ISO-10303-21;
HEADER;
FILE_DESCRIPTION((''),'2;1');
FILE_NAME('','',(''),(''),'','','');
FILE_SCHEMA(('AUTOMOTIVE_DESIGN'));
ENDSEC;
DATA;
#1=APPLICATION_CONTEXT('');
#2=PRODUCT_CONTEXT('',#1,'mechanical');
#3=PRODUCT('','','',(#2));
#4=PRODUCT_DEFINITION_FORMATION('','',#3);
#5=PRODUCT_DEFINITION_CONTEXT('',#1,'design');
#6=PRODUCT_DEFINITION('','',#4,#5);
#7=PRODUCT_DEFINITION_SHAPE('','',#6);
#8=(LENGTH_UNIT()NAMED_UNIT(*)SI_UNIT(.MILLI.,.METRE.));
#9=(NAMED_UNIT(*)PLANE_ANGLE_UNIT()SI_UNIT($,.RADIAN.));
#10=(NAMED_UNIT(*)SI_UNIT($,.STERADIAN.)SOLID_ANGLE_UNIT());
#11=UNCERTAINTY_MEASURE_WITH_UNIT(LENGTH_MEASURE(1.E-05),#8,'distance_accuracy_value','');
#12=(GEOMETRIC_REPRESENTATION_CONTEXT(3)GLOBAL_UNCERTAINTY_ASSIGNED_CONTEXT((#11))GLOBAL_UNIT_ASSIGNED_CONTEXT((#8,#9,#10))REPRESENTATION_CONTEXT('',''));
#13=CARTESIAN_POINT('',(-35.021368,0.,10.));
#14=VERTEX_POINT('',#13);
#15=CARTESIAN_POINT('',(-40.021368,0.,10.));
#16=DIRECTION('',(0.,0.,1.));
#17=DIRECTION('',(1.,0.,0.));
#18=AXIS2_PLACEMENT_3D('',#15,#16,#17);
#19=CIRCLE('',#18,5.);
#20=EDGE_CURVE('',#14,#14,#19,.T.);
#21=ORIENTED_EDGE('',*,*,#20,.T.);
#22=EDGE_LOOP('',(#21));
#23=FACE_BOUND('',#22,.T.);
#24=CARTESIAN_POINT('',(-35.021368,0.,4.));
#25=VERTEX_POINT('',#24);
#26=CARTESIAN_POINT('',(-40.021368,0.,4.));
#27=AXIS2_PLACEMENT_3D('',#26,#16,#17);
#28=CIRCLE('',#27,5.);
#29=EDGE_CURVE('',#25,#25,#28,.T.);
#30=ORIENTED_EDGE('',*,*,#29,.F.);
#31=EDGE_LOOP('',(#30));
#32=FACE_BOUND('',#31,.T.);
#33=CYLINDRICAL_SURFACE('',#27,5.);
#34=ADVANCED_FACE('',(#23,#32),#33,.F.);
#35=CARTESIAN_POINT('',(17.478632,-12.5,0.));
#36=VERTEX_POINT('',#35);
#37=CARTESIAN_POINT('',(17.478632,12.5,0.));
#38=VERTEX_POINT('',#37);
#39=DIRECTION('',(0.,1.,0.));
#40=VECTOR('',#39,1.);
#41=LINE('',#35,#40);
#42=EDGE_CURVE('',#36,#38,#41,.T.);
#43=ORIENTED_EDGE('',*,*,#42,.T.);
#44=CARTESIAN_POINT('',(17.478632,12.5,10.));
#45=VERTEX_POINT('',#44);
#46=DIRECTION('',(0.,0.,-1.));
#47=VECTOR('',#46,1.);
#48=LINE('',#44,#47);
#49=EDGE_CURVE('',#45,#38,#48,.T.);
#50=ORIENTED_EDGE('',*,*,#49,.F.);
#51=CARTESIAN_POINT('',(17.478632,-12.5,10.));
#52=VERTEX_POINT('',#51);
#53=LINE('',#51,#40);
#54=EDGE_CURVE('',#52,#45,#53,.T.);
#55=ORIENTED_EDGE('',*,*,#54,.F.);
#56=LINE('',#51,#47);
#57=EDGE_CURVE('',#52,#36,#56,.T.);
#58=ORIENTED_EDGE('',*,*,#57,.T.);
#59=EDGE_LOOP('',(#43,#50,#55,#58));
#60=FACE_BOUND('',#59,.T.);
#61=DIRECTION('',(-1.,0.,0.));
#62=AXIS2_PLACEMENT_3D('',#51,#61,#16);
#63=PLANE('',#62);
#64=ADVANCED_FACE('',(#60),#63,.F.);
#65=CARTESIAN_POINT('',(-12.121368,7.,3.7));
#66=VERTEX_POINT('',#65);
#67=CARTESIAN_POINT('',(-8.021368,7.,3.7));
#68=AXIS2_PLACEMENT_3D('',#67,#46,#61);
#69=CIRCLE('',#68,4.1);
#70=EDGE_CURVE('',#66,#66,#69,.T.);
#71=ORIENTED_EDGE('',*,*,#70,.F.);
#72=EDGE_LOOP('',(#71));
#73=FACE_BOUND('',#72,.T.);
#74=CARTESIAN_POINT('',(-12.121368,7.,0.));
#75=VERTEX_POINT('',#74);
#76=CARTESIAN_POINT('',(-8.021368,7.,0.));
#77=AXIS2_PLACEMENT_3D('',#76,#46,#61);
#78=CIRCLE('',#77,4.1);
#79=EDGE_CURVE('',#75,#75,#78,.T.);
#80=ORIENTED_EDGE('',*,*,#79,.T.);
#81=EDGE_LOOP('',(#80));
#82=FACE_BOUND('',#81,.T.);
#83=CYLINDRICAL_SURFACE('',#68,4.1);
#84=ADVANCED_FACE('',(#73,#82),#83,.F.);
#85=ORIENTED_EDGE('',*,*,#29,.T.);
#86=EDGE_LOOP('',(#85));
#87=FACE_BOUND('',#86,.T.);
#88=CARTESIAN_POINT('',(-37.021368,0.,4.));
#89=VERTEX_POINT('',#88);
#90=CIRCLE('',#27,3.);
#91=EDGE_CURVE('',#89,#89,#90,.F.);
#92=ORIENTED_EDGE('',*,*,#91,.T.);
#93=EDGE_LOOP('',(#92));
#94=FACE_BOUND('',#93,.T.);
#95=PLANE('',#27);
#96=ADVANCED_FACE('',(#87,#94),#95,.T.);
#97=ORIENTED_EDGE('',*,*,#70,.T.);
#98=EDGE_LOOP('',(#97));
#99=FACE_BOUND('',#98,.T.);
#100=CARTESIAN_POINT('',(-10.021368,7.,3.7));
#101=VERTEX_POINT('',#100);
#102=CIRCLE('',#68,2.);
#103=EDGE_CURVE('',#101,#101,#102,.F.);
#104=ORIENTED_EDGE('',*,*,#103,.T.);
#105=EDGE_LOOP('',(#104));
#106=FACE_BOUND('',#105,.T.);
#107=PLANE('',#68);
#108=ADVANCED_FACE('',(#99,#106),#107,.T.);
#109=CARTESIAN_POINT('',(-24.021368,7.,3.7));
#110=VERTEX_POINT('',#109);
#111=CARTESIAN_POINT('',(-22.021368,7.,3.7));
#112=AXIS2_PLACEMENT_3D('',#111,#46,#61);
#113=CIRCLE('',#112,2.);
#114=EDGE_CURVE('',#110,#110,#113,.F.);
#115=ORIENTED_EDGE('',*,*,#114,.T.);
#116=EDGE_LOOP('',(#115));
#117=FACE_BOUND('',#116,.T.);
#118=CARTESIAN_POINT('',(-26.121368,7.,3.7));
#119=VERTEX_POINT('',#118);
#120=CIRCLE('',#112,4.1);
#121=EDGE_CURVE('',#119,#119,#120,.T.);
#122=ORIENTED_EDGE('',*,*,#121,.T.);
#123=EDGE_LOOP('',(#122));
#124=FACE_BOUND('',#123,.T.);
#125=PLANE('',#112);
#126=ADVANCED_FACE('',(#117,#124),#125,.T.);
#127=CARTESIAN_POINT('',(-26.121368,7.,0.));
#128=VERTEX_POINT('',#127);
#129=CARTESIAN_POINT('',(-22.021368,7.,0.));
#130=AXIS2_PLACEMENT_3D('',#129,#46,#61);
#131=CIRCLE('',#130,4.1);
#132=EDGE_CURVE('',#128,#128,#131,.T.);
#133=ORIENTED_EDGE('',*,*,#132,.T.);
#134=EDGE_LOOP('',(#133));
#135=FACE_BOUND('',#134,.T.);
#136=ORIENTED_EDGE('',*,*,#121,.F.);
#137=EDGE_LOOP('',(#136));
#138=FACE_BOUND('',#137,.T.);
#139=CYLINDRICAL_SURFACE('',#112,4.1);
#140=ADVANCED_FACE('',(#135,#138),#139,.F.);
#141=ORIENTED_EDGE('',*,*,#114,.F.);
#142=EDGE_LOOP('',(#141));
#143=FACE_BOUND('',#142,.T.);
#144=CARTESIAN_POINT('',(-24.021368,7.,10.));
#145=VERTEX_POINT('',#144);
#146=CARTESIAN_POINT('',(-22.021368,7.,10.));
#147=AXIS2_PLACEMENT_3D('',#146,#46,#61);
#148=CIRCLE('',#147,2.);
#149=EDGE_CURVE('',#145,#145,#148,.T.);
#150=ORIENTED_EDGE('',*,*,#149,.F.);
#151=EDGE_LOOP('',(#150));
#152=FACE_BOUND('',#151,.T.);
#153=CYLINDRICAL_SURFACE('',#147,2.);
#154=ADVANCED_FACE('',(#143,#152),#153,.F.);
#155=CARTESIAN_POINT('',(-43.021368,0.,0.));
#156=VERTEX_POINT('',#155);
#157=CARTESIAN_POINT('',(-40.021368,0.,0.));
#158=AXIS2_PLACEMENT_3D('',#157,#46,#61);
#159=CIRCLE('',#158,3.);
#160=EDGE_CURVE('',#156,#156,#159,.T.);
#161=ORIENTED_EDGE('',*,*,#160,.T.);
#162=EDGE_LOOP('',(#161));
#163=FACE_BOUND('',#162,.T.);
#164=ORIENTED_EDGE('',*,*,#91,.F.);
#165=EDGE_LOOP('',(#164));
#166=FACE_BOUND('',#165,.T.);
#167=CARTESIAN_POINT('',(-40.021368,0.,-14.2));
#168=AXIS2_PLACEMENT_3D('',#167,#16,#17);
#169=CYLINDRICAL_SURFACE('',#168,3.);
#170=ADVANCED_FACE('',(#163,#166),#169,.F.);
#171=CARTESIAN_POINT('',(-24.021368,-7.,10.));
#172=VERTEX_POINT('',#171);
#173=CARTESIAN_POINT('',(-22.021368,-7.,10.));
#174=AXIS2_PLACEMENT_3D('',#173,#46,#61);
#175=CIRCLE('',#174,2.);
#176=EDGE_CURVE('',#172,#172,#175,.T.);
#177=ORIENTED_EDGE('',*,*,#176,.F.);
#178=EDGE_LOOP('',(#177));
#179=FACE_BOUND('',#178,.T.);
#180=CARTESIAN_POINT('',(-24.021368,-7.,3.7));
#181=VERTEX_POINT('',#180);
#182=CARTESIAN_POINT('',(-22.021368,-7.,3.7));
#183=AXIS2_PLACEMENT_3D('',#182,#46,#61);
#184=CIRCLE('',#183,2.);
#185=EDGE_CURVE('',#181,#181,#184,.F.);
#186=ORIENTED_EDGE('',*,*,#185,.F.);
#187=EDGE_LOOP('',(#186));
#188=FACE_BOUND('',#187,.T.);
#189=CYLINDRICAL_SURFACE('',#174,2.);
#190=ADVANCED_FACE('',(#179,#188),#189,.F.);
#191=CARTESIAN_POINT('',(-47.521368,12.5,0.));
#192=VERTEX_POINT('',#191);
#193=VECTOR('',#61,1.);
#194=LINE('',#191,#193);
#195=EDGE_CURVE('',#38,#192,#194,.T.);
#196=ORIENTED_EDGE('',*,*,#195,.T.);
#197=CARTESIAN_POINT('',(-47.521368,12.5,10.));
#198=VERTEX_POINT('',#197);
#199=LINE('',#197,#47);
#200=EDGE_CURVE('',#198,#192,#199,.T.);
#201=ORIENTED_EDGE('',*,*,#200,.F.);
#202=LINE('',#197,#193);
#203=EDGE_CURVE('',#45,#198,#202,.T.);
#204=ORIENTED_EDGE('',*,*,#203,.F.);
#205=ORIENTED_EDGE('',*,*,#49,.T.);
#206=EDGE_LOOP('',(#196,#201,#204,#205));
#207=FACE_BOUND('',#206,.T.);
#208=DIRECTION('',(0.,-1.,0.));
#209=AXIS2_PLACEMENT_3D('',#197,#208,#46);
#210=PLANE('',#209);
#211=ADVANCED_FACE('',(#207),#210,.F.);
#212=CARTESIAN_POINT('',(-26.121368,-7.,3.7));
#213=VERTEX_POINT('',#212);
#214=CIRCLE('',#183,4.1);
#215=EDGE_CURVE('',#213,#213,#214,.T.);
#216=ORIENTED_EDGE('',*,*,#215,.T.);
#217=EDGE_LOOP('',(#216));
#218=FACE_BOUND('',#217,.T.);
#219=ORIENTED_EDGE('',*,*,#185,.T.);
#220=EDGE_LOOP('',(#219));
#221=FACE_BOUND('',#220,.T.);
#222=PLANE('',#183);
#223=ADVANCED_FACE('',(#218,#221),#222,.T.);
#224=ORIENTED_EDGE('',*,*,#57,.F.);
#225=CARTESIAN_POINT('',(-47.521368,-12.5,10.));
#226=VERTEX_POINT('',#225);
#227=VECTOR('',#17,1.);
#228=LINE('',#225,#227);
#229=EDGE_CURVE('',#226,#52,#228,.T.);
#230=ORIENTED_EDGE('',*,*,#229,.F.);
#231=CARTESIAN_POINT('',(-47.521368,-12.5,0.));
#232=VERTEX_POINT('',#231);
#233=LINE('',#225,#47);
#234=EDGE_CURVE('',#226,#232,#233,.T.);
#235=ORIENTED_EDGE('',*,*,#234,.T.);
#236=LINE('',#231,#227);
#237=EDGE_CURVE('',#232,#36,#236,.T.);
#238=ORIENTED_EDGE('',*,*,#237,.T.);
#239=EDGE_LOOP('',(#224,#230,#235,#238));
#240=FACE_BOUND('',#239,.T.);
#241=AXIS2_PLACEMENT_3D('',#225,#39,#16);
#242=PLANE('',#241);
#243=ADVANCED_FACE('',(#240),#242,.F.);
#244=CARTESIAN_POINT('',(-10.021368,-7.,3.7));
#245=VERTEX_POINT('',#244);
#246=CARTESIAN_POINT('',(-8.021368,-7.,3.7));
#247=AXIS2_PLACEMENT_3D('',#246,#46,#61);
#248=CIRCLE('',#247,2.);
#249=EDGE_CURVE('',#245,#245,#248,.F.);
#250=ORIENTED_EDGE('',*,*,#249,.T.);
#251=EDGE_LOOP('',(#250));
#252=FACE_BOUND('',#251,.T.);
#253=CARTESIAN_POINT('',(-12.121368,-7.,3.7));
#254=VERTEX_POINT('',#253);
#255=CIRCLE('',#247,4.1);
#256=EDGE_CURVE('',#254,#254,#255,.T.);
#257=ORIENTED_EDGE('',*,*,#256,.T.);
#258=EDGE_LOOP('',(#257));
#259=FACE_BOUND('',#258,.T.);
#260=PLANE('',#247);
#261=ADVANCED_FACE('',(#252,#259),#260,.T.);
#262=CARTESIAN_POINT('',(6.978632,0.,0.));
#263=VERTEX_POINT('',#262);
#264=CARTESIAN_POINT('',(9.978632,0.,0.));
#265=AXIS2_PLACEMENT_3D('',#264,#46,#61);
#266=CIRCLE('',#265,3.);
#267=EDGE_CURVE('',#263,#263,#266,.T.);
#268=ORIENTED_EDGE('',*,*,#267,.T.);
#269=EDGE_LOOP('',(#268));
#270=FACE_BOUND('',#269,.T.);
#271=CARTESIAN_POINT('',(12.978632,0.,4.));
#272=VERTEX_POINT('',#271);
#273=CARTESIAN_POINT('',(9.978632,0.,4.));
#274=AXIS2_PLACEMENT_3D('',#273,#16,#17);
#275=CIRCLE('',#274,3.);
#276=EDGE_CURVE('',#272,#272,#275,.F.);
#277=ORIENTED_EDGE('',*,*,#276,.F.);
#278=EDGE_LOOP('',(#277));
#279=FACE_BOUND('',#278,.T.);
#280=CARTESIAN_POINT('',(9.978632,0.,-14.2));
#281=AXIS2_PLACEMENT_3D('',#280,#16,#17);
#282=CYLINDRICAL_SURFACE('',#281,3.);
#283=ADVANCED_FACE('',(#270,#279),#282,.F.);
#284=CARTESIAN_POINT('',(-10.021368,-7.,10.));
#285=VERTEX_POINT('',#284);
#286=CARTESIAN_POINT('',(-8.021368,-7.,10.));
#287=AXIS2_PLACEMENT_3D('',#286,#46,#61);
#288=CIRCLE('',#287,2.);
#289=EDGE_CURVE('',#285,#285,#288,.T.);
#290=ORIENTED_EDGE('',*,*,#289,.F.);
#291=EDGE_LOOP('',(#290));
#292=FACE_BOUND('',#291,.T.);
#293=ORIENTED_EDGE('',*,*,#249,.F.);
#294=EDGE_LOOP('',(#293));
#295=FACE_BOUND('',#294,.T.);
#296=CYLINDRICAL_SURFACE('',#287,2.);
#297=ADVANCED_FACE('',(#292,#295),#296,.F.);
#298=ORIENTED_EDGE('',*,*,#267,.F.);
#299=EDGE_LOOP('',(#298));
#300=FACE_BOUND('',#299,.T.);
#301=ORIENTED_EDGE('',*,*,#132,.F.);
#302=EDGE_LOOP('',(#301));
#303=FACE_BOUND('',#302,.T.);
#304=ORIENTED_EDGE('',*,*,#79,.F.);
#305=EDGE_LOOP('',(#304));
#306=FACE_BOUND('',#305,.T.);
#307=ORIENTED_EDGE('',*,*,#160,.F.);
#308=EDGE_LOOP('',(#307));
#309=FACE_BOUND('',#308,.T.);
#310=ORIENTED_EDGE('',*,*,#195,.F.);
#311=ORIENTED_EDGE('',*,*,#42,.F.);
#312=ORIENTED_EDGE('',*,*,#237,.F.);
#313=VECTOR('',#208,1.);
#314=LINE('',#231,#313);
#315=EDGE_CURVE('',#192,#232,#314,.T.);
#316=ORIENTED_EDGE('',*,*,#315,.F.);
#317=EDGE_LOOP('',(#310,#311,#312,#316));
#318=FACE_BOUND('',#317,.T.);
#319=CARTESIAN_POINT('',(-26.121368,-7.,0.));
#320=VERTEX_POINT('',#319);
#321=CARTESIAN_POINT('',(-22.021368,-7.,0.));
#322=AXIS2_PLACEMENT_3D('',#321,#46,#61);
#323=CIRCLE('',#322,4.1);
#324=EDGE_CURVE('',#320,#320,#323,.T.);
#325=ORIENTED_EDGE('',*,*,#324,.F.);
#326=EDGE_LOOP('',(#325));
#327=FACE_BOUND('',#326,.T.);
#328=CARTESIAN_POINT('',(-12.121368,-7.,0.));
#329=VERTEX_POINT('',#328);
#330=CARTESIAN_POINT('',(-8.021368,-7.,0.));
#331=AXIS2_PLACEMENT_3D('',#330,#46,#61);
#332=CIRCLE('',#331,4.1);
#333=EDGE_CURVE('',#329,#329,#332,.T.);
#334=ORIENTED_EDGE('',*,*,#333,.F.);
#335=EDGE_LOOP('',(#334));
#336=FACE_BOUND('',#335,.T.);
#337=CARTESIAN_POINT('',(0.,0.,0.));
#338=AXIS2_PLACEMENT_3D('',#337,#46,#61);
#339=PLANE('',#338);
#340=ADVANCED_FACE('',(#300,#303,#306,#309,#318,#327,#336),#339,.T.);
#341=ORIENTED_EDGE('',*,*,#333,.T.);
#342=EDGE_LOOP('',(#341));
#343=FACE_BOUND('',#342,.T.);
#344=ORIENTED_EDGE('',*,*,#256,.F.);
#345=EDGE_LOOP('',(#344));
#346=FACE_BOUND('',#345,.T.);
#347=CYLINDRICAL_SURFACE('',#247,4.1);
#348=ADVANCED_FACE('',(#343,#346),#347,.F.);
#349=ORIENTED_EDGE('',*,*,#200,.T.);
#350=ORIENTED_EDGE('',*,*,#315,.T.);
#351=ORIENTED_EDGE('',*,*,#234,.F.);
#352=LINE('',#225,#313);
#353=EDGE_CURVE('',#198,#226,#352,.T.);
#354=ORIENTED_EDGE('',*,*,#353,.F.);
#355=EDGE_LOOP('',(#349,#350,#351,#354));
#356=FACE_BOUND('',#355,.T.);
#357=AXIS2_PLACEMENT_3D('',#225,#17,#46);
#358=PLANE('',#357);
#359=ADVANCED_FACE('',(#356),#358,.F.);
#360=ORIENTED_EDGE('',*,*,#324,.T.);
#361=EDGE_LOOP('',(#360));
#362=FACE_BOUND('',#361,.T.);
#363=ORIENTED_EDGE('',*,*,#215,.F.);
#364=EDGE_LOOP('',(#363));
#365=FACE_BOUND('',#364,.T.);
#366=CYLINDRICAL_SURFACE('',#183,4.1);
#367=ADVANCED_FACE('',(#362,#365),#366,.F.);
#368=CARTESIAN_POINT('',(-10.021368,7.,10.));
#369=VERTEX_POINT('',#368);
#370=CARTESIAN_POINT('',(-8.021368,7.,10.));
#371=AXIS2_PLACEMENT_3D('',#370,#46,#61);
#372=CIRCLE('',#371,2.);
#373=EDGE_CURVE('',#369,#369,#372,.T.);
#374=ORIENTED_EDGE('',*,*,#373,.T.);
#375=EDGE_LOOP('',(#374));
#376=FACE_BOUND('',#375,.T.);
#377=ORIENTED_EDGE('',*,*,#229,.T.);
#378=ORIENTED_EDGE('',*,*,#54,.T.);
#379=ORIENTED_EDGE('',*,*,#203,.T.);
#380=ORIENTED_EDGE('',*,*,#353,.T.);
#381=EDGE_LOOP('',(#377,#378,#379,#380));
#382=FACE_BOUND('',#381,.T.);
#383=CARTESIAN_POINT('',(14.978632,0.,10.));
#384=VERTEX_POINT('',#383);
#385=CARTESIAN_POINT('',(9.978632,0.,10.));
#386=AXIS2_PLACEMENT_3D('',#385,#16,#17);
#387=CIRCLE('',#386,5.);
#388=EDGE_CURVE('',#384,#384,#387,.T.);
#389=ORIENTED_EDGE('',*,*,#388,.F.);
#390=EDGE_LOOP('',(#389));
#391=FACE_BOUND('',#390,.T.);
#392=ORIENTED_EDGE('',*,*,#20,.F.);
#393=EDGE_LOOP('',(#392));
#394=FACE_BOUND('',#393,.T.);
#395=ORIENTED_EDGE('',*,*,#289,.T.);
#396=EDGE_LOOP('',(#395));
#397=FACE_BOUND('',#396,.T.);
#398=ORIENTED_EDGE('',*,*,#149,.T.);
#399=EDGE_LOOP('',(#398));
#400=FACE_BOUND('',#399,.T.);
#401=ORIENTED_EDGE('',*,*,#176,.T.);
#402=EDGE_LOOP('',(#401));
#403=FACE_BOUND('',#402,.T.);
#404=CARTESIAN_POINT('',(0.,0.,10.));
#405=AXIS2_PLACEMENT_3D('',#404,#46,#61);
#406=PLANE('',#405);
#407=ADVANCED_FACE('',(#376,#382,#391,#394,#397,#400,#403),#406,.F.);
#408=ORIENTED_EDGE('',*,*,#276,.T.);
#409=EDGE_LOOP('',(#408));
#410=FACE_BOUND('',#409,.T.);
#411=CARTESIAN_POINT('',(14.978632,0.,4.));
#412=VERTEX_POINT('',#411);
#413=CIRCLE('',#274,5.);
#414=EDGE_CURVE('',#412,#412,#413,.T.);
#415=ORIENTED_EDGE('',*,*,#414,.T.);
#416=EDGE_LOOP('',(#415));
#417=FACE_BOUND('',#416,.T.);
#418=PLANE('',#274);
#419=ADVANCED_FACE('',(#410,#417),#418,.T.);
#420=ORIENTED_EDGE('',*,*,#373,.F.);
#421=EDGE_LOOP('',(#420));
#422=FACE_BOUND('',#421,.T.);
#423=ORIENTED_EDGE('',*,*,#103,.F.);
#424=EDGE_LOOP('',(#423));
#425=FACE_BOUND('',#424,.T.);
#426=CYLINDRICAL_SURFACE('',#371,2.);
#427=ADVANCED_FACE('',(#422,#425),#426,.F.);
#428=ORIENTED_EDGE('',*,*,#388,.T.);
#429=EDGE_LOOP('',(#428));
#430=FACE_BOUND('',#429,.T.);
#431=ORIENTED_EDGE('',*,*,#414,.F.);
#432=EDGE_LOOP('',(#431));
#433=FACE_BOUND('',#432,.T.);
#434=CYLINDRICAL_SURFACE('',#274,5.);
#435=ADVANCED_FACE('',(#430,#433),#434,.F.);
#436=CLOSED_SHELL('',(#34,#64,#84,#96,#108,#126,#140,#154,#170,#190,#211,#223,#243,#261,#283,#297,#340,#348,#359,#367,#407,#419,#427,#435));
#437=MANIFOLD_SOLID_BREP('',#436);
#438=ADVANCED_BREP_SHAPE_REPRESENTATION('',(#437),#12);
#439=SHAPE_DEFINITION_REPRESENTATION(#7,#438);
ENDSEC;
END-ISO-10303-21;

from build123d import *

# Parameters (mm, degrees)
SKETCH1_W           = 65
SKETCH1_H           = 25
BOSS_EXTRUDE1_DEPTH = 10
SKETCH3_R           = 2
CUT_EXTRUDE1_DEPTH  = 10
SKETCH5_R           = 4.1
CUT_EXTRUDE2_DEPTH  = 3.7
SKETCH12_R          = 3
CUT_EXTRUDE3_DEPTH  = 24.2
SKETCH13_R          = 5
CUT_EXTRUDE4_DEPTH  = 6


with BuildPart() as part:
    # Sketch1 → Boss-Extrude1 (new body)
    with BuildSketch(Plane.XY):
        with Locations((-15.021367521, 0)):
            Rectangle(SKETCH1_W, SKETCH1_H)
    extrude(amount=BOSS_EXTRUDE1_DEPTH)

    # Sketch3 → Cut-Extrude1 (cut)
    with BuildSketch(Plane(origin=(0, 0, 0), x_dir=(-1, 0, 0), z_dir=(0, 0, -1))):
        with Locations((22.021367521, -7)):
            Circle(SKETCH3_R)
        with Locations((8.021367521, -7)):
            Circle(SKETCH3_R)
        with Locations((8.021367521, 7)):
            Circle(SKETCH3_R)
        with Locations((22.021367521, 7)):
            Circle(SKETCH3_R)
    extrude(amount=-CUT_EXTRUDE1_DEPTH, mode=Mode.SUBTRACT)

    # Sketch5 → Cut-Extrude2 (cut)
    with BuildSketch(Plane(origin=(0, 0, 0), x_dir=(-1, 0, 0), z_dir=(0, 0, -1))):
        with Locations((22.021367521, -7)):
            Circle(SKETCH5_R)
        with Locations((8.021367521, -7)):
            Circle(SKETCH5_R)
        with Locations((8.021367521, 7)):
            Circle(SKETCH5_R)
        with Locations((22.021367521, 7)):
            Circle(SKETCH5_R)
    extrude(amount=-CUT_EXTRUDE2_DEPTH, mode=Mode.SUBTRACT)

    # Sketch12 → Cut-Extrude3 (cut)
    with BuildSketch(Plane.XY.offset(10)):
        with Locations((-40.021367521, 0)):
            Circle(SKETCH12_R)
        with Locations((9.978632479, 0)):
            Circle(SKETCH12_R)
    extrude(amount=-CUT_EXTRUDE3_DEPTH, mode=Mode.SUBTRACT)

    # Sketch13 → Cut-Extrude4 (cut)
    with BuildSketch(Plane.XY.offset(10)):
        with Locations((-40.021367521, 0)):
            Circle(SKETCH13_R)
        with Locations((9.978632479, 0)):
            Circle(SKETCH13_R)
    extrude(amount=-CUT_EXTRUDE4_DEPTH, mode=Mode.SUBTRACT)


solid = part.part
